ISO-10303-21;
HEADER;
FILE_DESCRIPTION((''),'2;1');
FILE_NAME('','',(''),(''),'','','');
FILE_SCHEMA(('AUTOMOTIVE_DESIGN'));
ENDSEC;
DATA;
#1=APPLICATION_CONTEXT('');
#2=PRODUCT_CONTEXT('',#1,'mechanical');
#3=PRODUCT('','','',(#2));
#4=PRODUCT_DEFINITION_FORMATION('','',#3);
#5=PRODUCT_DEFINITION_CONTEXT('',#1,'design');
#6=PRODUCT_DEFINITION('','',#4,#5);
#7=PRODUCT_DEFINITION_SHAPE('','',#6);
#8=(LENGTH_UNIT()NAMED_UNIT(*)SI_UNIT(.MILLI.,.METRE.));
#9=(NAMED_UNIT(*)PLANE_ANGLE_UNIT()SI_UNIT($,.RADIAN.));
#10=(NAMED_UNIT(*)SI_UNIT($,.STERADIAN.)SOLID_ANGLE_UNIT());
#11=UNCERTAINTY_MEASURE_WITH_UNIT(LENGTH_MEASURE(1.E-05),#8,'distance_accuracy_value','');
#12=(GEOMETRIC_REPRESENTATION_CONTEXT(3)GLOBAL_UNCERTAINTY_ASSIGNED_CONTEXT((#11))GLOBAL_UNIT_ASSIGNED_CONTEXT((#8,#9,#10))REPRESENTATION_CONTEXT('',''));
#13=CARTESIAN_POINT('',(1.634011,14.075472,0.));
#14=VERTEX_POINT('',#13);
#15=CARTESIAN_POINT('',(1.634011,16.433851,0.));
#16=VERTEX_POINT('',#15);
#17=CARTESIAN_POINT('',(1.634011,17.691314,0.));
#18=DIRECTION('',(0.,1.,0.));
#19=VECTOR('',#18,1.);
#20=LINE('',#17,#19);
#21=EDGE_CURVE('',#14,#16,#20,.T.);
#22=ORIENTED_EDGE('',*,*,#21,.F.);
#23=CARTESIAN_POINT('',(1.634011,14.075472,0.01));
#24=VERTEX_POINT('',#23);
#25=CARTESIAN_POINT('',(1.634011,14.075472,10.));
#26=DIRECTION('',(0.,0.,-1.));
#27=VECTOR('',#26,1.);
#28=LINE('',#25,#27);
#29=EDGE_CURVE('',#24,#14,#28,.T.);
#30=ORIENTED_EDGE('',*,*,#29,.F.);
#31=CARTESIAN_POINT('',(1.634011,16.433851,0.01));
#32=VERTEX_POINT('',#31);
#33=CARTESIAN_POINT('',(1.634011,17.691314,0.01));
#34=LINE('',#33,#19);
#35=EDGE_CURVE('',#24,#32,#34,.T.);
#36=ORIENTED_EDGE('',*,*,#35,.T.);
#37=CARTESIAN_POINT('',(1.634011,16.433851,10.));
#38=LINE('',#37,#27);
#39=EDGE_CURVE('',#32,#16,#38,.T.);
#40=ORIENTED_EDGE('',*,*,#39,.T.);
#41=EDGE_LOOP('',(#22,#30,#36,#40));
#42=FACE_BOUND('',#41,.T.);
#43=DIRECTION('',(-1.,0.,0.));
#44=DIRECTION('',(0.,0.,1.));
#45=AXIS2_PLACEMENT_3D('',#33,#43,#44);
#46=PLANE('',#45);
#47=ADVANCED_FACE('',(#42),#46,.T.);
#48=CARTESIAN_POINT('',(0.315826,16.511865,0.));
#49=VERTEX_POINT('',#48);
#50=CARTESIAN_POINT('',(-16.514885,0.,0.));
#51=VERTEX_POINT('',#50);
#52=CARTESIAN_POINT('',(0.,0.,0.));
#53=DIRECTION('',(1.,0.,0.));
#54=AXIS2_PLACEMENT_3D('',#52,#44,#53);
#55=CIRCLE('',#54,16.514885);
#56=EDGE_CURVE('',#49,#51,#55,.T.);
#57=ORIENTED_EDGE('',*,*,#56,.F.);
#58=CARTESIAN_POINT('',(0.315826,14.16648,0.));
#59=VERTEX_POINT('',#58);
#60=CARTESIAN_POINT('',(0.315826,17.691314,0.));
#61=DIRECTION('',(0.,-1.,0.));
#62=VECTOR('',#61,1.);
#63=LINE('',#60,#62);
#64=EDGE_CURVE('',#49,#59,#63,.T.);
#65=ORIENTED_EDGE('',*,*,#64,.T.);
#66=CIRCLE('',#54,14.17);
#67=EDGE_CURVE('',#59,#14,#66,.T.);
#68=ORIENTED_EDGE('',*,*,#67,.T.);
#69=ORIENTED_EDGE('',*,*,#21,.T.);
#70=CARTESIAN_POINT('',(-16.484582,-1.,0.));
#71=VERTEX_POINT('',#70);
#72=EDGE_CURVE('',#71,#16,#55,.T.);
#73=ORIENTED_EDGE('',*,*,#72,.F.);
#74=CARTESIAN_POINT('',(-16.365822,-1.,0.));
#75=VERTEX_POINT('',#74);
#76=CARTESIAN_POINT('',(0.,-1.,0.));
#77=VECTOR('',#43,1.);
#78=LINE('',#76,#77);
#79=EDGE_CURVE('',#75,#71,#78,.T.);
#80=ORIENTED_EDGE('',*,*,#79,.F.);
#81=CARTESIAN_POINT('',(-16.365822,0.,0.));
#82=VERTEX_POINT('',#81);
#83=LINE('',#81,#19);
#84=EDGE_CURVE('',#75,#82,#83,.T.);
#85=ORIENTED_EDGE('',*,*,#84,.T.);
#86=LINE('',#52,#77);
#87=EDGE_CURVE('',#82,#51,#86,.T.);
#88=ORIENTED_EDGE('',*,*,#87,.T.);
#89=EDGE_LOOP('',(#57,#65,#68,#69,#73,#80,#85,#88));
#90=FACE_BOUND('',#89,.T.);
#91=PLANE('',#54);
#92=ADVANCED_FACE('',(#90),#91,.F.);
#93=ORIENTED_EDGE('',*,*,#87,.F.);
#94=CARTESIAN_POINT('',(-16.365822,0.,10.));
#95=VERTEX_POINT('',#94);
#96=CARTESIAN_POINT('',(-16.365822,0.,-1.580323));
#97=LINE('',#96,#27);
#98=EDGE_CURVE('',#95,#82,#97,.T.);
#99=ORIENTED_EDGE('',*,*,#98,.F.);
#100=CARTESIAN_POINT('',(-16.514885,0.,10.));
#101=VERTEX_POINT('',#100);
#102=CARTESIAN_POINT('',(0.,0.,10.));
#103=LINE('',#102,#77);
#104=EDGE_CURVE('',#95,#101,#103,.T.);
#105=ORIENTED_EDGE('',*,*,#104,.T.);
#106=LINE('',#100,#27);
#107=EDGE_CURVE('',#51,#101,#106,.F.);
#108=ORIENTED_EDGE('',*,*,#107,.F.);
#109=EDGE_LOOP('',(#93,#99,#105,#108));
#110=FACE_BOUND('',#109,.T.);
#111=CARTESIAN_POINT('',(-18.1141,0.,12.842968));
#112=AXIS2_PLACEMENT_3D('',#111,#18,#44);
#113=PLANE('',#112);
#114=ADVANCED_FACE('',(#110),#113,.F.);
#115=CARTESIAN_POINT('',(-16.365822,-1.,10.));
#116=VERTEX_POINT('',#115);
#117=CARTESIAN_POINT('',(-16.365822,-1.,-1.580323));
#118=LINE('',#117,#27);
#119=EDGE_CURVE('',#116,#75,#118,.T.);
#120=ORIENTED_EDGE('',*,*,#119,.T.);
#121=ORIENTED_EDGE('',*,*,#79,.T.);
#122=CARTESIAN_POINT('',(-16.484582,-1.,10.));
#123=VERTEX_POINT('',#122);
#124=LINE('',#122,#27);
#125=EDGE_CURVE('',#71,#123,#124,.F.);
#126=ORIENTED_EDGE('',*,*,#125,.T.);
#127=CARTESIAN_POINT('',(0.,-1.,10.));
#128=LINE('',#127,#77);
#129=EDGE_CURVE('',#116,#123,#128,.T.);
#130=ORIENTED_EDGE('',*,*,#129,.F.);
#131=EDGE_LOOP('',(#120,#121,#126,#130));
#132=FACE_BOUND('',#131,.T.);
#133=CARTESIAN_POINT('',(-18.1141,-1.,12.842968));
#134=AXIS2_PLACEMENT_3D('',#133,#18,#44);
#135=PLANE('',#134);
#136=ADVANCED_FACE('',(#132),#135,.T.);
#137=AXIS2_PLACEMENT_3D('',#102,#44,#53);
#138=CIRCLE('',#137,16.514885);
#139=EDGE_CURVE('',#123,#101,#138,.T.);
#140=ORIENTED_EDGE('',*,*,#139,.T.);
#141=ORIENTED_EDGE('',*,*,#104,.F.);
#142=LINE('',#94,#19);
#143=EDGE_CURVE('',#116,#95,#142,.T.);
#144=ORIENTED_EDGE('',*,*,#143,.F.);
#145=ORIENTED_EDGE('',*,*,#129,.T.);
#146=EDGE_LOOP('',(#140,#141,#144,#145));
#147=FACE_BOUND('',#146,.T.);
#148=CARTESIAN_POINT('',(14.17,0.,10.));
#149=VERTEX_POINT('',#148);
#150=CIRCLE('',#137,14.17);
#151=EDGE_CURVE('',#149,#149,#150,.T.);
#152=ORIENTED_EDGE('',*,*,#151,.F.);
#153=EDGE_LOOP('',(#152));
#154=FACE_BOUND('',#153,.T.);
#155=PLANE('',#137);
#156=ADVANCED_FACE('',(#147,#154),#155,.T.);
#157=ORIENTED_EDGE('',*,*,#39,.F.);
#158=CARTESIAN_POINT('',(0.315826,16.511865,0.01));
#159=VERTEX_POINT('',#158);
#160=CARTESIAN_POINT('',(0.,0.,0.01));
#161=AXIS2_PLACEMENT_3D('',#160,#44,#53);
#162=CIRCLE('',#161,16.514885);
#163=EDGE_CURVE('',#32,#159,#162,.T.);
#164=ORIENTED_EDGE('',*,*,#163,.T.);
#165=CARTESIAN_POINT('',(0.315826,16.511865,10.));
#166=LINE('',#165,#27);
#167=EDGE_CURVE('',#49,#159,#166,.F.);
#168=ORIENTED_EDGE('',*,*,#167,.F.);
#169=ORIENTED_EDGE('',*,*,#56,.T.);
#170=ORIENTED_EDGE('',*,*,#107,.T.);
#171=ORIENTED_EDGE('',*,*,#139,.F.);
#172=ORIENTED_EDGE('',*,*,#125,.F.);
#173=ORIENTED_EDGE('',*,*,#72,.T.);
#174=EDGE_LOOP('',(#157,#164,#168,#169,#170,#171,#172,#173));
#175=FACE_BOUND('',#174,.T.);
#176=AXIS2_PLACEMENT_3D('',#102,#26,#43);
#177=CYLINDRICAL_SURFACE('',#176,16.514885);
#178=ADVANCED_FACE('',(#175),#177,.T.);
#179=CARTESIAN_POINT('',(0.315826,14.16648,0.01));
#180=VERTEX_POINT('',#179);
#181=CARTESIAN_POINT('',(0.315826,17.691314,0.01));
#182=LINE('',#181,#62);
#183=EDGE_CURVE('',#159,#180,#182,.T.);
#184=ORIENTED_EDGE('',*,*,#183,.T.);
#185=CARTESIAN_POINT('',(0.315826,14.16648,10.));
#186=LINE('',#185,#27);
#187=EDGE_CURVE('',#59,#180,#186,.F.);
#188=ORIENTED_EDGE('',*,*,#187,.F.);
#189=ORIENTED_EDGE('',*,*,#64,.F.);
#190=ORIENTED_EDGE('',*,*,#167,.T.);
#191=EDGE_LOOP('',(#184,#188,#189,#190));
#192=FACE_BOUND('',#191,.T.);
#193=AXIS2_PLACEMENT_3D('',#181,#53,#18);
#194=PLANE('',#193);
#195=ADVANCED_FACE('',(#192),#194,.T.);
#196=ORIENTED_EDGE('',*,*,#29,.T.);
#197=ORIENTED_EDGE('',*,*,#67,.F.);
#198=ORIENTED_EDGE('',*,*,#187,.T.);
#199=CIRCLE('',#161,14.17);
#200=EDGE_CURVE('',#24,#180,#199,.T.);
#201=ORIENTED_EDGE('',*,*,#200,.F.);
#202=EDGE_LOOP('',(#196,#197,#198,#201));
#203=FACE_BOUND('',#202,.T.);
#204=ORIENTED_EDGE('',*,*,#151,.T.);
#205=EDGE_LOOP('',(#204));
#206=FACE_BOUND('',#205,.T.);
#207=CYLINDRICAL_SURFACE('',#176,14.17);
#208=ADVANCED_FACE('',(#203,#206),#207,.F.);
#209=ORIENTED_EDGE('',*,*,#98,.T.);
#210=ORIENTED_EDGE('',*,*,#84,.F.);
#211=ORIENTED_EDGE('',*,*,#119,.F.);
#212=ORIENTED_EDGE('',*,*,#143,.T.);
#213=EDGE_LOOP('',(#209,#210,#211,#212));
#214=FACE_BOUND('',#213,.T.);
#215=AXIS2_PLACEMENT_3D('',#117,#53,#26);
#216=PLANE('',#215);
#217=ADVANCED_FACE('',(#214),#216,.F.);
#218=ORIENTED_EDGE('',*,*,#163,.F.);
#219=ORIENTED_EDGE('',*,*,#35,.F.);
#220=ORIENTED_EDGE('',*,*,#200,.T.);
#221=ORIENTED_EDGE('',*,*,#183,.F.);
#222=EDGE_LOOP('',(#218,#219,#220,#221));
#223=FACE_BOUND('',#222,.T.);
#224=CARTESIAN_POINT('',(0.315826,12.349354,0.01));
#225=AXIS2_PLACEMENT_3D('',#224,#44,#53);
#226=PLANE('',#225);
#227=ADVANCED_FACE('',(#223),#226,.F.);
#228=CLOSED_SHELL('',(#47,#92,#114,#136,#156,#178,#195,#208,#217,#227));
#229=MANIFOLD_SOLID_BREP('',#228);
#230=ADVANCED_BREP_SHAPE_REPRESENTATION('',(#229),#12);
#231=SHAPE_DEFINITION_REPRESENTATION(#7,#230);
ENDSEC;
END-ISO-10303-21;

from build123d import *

# Parameters (mm, degrees)
SKETCH1_R           = 16.514885265
SKETCH1_R_2         = 14.17
BOSS_EXTRUDE1_DEPTH = 10
SKETCH2_W           = 1.74827772
SKETCH2_H           = 14.423291192
CUT_EXTRUDE1_DEPTH  = 1
SKETCH3_W           = 1.31818545
SKETCH3_H           = 5.3419597
CUT_EXTRUDE2_DEPTH  = 0.01


with BuildPart() as part:
    # Sketch1 → Boss-Extrude1 (new body)
    with BuildSketch(Plane.XY):
        Circle(SKETCH1_R)
        Circle(SKETCH1_R_2, mode=Mode.SUBTRACT)
    extrude(amount=BOSS_EXTRUDE1_DEPTH)

    # Sketch2 → Cut-Extrude1 (cut)
    with BuildSketch(Plane(origin=(0, 0, 0), x_dir=(1, 0, 0), z_dir=(0, 1, 0))):
        with Locations((-17.239960851, -5.63132251)):
            Rectangle(SKETCH2_W, SKETCH2_H)
    extrude(amount=-CUT_EXTRUDE1_DEPTH, mode=Mode.SUBTRACT)

    # Sketch3 → Cut-Extrude2 (cut)
    with BuildSketch(Plane.XY):
        with Locations((0.974918477, 15.020333746)):
            Rectangle(SKETCH3_W, SKETCH3_H)
    extrude(amount=CUT_EXTRUDE2_DEPTH, mode=Mode.SUBTRACT)


solid = part.part
